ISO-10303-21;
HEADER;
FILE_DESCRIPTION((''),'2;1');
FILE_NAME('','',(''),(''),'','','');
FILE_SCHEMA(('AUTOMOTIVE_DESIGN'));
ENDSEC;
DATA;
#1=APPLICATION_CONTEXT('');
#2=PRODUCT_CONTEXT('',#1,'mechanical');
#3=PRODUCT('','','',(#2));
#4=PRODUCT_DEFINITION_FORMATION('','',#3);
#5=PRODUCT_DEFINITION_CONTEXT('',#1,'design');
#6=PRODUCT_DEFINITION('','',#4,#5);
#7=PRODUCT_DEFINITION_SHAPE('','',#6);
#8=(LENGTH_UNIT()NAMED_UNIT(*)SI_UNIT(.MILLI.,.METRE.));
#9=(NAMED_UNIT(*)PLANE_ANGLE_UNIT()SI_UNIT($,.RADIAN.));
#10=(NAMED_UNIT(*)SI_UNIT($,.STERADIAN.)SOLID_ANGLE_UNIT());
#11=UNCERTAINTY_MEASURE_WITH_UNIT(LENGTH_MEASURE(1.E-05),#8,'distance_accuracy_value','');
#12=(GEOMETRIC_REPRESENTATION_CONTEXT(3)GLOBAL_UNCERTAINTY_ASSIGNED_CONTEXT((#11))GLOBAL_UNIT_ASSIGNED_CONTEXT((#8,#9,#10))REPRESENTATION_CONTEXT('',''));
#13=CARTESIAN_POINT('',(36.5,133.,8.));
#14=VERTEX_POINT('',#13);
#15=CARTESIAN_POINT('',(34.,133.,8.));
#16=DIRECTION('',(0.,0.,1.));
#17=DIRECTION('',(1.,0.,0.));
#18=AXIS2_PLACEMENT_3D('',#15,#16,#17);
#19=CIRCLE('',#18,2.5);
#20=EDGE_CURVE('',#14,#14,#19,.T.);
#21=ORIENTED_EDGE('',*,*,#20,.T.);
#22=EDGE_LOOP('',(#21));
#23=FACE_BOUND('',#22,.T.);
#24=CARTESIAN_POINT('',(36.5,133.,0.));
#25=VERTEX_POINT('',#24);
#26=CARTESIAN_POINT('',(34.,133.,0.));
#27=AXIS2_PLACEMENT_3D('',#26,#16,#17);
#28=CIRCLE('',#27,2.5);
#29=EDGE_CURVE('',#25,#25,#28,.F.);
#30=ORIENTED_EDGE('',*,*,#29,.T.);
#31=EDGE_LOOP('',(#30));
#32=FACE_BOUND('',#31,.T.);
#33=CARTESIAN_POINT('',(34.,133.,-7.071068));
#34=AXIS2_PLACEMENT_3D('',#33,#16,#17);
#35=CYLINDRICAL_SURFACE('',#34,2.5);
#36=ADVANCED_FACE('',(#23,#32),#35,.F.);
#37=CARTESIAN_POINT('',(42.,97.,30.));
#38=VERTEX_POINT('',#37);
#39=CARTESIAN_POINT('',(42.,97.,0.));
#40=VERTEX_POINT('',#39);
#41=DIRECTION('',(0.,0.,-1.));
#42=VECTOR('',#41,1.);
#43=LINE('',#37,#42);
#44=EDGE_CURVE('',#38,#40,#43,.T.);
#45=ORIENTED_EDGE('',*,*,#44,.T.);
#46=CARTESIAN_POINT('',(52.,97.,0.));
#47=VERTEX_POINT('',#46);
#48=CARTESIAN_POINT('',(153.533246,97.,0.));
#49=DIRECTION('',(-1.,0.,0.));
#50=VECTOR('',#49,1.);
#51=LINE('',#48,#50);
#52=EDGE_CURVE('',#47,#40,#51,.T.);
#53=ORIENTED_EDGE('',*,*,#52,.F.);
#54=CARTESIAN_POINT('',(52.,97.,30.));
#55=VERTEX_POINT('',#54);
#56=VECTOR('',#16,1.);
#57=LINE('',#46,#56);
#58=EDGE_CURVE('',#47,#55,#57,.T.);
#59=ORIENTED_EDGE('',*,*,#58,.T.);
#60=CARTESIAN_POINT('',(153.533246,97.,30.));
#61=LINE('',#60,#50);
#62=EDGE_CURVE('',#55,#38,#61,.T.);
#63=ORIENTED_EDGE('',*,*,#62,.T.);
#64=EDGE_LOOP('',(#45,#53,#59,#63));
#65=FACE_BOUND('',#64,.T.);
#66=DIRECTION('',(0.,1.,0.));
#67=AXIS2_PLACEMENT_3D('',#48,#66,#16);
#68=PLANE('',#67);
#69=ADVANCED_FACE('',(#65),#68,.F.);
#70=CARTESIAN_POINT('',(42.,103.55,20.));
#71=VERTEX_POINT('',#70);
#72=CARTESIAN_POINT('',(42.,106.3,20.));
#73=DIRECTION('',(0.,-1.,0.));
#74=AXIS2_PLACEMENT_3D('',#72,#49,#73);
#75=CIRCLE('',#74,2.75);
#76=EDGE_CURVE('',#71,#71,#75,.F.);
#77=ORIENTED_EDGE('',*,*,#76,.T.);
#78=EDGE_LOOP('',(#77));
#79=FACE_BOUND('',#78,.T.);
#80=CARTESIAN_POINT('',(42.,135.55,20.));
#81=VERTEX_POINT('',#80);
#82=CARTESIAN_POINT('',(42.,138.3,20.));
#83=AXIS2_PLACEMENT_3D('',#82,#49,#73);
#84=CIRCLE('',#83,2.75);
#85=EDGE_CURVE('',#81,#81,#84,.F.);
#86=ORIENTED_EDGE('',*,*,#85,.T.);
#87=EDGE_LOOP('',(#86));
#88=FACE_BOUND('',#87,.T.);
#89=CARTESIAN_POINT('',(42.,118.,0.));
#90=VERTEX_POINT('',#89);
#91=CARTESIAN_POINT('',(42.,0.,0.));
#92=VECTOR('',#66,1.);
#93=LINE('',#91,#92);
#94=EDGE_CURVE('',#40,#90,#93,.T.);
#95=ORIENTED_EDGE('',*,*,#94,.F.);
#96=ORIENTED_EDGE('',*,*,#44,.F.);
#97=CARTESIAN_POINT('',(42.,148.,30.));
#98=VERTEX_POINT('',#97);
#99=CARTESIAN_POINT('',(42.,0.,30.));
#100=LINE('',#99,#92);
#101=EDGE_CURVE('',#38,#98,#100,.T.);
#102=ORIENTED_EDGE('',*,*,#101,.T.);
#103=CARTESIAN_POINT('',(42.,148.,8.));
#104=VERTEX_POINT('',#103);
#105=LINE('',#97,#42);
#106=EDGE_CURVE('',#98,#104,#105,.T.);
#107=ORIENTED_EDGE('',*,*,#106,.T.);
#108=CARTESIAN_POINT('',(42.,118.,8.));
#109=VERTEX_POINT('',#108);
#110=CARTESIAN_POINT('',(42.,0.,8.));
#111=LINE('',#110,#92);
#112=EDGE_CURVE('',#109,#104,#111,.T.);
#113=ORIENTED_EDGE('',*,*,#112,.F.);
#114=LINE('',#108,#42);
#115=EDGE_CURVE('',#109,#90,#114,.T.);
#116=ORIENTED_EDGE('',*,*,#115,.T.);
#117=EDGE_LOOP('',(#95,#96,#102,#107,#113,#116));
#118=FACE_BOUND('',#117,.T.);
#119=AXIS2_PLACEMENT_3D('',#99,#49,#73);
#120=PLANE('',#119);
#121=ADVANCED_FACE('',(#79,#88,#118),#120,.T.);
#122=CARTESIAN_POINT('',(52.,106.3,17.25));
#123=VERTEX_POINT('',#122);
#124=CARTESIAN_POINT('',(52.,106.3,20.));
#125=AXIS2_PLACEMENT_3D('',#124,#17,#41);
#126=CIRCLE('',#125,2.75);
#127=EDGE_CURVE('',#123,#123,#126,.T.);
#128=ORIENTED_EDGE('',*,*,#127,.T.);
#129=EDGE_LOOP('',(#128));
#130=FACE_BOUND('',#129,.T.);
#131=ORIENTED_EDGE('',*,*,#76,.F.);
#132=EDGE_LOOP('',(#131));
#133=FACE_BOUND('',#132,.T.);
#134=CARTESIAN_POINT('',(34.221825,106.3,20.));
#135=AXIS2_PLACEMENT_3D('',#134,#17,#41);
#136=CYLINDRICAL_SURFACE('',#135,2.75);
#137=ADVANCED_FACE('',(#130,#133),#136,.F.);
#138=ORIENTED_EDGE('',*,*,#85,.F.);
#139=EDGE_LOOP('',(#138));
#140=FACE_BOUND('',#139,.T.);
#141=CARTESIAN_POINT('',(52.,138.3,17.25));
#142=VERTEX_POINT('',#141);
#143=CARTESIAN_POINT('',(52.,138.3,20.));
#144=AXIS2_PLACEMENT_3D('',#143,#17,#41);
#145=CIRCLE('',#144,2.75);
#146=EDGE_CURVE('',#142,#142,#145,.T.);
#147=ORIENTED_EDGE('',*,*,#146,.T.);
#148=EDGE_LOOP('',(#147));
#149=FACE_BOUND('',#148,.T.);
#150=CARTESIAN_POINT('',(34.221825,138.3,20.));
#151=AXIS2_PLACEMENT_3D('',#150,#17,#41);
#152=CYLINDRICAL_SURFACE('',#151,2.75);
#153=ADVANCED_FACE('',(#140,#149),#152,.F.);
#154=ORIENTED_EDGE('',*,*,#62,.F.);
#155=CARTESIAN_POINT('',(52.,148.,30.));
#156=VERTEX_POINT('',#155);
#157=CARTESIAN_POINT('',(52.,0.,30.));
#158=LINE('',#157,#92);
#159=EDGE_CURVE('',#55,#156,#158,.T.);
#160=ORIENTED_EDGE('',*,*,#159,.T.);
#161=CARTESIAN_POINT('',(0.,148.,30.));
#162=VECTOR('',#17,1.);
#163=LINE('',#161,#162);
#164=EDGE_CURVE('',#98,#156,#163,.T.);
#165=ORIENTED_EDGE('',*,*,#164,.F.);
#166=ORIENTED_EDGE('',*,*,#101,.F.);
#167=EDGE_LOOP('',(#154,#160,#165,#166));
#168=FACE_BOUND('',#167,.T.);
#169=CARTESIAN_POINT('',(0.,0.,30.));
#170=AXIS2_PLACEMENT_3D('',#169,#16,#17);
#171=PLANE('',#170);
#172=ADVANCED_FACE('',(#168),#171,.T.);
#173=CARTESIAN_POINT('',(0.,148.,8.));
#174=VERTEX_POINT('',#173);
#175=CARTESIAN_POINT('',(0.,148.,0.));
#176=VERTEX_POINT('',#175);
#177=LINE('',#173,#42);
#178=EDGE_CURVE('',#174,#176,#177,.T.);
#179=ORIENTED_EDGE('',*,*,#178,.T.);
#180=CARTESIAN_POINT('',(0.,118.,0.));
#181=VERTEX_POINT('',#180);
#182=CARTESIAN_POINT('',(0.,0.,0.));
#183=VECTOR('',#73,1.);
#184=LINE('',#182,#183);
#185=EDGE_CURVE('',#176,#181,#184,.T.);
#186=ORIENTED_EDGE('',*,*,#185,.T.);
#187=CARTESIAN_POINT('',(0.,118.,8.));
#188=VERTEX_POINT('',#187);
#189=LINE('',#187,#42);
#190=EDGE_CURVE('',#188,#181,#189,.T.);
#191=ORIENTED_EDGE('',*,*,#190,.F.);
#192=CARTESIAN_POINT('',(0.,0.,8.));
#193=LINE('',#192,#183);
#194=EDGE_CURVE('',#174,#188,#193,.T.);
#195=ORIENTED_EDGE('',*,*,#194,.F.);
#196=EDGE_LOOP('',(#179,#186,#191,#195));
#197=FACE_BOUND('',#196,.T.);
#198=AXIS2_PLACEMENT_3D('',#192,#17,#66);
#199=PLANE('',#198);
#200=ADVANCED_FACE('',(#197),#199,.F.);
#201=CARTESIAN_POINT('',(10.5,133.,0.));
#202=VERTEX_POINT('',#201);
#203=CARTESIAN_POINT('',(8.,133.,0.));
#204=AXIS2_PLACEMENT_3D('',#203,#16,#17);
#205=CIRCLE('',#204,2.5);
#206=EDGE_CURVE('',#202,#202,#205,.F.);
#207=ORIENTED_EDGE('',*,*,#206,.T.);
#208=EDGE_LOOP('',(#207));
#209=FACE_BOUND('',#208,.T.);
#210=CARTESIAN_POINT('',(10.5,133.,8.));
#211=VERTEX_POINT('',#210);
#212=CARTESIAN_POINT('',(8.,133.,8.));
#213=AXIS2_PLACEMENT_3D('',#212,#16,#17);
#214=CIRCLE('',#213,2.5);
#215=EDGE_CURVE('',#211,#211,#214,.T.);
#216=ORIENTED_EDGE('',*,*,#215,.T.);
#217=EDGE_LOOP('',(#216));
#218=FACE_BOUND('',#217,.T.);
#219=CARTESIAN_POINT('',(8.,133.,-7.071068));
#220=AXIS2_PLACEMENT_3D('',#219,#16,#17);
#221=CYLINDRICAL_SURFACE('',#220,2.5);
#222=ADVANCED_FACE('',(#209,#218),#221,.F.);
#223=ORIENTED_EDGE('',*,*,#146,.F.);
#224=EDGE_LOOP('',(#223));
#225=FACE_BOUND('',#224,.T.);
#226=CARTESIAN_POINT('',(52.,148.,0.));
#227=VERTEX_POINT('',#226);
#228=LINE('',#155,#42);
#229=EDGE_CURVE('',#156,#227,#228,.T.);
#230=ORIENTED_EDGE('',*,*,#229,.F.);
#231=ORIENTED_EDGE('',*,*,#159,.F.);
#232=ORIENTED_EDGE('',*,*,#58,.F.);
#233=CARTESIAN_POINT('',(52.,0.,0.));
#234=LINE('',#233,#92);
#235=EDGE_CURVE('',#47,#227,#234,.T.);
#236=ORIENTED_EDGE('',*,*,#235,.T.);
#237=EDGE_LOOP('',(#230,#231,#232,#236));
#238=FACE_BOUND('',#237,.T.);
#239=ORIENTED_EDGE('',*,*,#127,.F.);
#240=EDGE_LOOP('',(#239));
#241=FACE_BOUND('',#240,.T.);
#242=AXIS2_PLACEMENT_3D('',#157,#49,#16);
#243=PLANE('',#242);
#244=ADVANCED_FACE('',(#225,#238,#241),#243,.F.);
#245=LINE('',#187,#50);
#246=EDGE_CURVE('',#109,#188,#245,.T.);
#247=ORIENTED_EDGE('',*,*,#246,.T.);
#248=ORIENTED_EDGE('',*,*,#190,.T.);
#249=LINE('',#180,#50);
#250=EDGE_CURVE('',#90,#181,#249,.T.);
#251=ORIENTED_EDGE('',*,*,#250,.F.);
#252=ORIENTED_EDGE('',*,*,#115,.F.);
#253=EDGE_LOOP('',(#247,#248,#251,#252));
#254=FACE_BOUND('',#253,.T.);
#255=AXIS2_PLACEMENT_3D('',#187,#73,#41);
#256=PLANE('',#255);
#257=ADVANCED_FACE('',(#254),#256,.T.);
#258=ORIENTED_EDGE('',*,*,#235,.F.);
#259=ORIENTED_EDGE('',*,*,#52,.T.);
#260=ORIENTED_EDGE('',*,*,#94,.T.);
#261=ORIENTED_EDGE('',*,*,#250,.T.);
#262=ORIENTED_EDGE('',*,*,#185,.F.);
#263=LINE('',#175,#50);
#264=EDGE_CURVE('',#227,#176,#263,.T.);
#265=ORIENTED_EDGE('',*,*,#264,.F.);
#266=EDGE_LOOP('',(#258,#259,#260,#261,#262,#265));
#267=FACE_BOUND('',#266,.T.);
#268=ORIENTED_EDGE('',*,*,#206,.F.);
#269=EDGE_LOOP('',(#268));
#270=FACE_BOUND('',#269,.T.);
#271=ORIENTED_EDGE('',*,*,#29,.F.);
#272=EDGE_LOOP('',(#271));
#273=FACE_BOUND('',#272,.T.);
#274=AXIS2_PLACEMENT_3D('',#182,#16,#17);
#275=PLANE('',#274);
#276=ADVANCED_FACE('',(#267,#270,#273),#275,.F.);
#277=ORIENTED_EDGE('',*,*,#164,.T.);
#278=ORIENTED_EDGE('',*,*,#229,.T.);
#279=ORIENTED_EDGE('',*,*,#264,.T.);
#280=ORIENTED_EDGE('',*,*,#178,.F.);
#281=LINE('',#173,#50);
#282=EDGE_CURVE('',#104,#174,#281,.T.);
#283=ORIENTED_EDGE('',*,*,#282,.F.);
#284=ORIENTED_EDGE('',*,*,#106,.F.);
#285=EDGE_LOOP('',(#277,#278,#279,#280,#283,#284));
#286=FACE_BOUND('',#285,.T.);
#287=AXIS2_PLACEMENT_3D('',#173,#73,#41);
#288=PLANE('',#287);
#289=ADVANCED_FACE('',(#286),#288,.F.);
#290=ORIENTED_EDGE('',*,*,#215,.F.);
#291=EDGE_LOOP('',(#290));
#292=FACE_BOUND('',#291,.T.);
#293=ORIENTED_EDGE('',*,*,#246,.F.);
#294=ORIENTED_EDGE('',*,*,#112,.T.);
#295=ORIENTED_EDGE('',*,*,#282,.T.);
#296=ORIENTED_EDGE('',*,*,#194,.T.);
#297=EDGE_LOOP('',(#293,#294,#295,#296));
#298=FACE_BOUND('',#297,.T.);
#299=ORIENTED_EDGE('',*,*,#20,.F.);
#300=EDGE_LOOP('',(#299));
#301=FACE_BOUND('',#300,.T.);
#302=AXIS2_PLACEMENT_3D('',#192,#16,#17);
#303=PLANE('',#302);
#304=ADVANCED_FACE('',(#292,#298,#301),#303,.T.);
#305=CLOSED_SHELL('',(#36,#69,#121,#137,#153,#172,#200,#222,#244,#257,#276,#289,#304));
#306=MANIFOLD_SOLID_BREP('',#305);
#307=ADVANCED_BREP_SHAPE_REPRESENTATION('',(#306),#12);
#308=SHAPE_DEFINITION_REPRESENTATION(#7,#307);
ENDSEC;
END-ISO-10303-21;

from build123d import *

# Parameters (mm, degrees)
SKETCH1_W             = 42
SKETCH1_H             = 30
BOSS_EXTRUDE1_DEPTH   = 8
BOSS_EXTRUDE1_2_DEPTH = 8
BOSS_EXTRUDE2_DEPTH   = 30
SKETCH2_R             = 2.5
CUT_EXTRUDE1_DEPTH    = 8
SKETCH3_R             = 2.75
CUT_EXTRUDE2_DEPTH    = 10
SKETCH6_W             = 30
SKETCH6_H             = 97
CUT_EXTRUDE6_DEPTH    = 52


with BuildPart() as part:
    # Sketch1 → Boss-Extrude1 (new body)
    with BuildSketch(Plane.XY):
        with Locations((21, 133)):
            Rectangle(SKETCH1_W, SKETCH1_H)
    extrude(amount=BOSS_EXTRUDE1_DEPTH)



with BuildPart() as body_2:
    # Sketch1 → Boss-Extrude1 2 (new body)
    with BuildSketch(Plane.XY):
        with Locations((21, 15)):
            Rectangle(SKETCH1_W, SKETCH1_H)
    extrude(amount=BOSS_EXTRUDE1_2_DEPTH)


with BuildPart() as part_1:
    add(part.part)

    add(body_2.part)  # Boss-Extrude2 merges body 2
    # Sketch1<3> → Boss-Extrude2 (add)
    with BuildSketch(Plane.XY):
        Polygon((42, 30), (42, 0), (52, 0), (52, 148), (42, 148), (42, 118), align=None)
    extrude(amount=BOSS_EXTRUDE2_DEPTH)

    # Sketch2 → Cut-Extrude1 (cut)
    with BuildSketch(Plane.XY.offset(8)):
        with Locations((8, 133)):
            Circle(SKETCH2_R)
        with Locations((34, 133)):
            Circle(SKETCH2_R)
        with Locations((34, 15)):
            Circle(SKETCH2_R)
        with Locations((8, 15)):
            Circle(SKETCH2_R)
    extrude(amount=-CUT_EXTRUDE1_DEPTH, mode=Mode.SUBTRACT)

    # Sketch3 → Cut-Extrude2 (cut)
    with BuildSketch(Plane(origin=(52, 0, 0), x_dir=(0, 0, -1), z_dir=(1, 0, 0))):
        with Locations((-20, 138.3)):
            Circle(SKETCH3_R)
        with Locations((-20, 106.3)):
            Circle(SKETCH3_R)
        with Locations((-20, 41.2)):
            Circle(SKETCH3_R)
        with Locations((-20, 9.2)):
            Circle(SKETCH3_R)
    extrude(amount=-CUT_EXTRUDE2_DEPTH, mode=Mode.SUBTRACT)

    # Sketch6 → Cut-Extrude6 (cut)
    with BuildSketch(Plane.ZY):
        with Locations((15, 48.5)):
            Rectangle(SKETCH6_W, SKETCH6_H)
    extrude(amount=-CUT_EXTRUDE6_DEPTH, mode=Mode.SUBTRACT)


solid = part_1.part
